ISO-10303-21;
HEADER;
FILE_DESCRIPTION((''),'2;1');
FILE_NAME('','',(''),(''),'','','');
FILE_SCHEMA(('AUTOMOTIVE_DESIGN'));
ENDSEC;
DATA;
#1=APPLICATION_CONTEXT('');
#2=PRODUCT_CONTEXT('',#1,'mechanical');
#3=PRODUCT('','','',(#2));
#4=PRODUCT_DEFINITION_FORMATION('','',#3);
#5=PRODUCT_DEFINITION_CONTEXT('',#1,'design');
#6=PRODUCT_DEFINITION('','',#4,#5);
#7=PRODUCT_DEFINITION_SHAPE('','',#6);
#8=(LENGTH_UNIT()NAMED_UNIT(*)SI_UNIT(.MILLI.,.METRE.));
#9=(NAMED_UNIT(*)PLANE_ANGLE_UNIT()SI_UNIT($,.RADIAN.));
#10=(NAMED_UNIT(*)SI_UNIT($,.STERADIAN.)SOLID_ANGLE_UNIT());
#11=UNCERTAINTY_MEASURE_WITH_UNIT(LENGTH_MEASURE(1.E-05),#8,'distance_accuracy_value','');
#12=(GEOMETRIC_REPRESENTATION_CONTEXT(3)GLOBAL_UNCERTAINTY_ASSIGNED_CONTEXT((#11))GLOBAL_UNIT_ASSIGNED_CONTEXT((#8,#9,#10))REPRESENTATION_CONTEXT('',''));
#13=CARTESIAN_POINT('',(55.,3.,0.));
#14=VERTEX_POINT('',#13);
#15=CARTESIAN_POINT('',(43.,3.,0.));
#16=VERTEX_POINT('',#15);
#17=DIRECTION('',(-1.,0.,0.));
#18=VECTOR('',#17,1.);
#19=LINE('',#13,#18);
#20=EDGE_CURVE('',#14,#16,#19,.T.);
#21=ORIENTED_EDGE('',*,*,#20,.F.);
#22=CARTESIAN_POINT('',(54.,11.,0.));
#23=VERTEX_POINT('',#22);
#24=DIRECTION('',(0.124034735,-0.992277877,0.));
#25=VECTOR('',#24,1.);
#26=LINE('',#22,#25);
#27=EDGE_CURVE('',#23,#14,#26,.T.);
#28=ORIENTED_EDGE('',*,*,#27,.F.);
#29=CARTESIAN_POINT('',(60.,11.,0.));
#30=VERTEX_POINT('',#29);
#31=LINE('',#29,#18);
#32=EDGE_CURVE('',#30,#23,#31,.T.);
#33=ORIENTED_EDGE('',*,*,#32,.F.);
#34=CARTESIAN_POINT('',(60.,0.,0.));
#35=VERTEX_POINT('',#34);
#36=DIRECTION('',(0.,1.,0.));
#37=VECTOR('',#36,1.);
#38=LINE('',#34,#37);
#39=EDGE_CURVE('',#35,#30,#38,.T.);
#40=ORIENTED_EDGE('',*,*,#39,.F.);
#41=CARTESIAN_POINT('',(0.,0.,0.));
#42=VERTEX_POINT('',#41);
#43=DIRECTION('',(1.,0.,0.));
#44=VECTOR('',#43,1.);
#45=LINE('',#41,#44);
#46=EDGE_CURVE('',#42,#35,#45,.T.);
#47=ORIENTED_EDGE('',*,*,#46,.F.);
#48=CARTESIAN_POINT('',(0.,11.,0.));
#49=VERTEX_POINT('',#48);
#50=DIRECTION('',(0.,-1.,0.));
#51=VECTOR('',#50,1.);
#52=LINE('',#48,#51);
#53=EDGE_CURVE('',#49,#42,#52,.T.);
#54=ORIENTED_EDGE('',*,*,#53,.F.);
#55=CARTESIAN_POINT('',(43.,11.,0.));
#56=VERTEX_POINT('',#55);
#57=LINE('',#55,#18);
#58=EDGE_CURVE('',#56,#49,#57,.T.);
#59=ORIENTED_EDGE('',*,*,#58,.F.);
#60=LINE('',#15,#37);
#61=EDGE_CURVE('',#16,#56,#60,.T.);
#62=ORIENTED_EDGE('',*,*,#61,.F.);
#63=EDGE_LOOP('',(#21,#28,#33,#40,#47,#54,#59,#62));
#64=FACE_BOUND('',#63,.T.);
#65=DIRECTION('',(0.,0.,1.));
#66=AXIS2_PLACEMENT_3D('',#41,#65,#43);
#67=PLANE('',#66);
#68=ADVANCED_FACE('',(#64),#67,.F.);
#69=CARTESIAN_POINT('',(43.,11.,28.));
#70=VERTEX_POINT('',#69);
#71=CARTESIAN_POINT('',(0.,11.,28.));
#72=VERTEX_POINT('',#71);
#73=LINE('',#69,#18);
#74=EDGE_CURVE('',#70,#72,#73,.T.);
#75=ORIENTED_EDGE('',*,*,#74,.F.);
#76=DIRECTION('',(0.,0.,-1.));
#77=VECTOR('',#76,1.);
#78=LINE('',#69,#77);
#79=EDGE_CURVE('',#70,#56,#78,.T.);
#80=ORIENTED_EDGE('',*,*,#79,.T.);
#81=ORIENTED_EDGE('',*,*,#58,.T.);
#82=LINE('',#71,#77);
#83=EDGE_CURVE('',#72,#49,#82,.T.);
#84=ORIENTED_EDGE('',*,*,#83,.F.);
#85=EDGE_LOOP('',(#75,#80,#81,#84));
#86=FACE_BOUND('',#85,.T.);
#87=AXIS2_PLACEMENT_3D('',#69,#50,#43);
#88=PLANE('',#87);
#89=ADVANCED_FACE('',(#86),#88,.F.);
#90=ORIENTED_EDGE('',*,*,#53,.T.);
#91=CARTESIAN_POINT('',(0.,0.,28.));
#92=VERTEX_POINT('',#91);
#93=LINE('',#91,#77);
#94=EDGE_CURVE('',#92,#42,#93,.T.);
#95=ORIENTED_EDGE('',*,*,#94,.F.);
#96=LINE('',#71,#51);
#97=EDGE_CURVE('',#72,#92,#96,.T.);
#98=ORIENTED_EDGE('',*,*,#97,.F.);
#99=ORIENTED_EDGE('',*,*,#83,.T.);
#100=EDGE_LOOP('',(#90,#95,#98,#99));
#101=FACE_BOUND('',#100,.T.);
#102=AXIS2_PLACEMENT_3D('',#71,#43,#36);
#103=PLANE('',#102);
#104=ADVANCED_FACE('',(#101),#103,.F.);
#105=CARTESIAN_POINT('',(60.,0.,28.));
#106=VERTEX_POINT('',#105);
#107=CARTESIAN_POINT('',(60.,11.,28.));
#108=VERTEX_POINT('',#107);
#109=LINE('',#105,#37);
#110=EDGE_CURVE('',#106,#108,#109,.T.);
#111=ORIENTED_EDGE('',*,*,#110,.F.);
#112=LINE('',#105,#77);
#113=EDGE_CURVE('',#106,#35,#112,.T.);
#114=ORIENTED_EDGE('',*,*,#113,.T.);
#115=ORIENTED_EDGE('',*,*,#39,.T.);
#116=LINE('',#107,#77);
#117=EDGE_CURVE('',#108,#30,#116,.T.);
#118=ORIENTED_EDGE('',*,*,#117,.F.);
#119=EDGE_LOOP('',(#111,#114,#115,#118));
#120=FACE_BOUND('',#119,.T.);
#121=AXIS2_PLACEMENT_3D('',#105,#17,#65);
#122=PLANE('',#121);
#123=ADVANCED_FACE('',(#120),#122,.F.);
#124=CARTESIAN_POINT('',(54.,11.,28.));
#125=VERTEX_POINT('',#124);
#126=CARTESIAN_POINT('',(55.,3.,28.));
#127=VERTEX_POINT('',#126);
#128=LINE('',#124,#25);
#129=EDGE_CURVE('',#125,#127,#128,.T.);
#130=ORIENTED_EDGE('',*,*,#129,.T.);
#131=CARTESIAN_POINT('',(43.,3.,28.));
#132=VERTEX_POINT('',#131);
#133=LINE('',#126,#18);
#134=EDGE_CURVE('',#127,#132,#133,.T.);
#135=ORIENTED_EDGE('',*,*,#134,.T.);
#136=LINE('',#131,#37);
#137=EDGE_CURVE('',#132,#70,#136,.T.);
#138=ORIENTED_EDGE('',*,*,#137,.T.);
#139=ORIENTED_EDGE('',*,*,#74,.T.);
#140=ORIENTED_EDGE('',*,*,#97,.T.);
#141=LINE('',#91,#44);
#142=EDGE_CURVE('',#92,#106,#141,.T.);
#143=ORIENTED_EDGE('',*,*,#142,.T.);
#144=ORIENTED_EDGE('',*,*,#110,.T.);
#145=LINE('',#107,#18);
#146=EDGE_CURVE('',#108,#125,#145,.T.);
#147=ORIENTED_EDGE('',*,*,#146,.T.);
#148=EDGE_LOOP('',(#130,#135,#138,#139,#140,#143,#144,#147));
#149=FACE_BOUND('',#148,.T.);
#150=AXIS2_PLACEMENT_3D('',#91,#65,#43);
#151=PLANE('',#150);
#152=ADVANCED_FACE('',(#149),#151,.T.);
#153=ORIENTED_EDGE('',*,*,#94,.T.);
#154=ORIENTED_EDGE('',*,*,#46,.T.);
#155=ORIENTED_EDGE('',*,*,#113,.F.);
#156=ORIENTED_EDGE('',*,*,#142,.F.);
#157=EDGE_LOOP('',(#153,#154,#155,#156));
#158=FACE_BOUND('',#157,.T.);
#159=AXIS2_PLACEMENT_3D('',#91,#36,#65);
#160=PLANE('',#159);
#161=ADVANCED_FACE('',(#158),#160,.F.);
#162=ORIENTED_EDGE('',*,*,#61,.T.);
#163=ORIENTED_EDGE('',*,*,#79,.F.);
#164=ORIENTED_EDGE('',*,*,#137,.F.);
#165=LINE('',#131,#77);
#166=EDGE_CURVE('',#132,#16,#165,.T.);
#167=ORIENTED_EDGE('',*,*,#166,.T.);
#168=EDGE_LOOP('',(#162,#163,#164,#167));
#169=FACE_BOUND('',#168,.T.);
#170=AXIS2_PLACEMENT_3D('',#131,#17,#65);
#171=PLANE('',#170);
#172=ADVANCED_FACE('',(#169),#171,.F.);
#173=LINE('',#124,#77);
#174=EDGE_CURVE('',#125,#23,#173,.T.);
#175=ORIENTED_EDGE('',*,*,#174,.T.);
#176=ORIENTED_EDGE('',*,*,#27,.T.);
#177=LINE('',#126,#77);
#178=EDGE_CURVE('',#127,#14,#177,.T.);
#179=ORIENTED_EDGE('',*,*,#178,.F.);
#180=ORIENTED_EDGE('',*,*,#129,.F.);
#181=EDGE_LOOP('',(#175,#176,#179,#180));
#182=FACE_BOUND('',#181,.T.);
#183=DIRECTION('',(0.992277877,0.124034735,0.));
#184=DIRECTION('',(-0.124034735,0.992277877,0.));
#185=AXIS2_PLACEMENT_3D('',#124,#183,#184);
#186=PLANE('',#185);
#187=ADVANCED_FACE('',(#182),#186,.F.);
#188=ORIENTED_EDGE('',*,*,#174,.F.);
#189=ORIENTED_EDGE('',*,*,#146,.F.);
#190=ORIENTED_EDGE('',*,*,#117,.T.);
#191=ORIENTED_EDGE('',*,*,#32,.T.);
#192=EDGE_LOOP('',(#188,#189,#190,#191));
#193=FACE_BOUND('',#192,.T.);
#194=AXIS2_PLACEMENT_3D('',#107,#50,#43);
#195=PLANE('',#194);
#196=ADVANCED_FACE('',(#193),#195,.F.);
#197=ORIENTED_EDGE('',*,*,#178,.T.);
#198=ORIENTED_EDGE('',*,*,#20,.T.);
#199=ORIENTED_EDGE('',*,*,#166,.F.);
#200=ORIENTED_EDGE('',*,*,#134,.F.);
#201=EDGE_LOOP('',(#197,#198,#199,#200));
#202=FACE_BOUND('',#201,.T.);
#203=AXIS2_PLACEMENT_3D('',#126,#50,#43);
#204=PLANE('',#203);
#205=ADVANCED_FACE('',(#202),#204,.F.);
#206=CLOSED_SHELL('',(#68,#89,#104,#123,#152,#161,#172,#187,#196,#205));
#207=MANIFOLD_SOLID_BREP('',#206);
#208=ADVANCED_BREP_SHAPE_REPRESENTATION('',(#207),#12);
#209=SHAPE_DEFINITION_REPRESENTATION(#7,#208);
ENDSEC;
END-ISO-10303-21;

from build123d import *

# Parameters (mm, degrees)
SALIENTE_EXTRUIR1_DEPTH = 28


with BuildPart() as part:
    # Croquis1 → Saliente-Extruir1 (new body)
    with BuildSketch(Plane.XY):
        Polygon((0, 0), (60, 0), (60, 11), (54, 11), (55, 3), (43, 3), (43, 11), (0, 11), align=None)
    extrude(amount=SALIENTE_EXTRUIR1_DEPTH)


solid = part.part
